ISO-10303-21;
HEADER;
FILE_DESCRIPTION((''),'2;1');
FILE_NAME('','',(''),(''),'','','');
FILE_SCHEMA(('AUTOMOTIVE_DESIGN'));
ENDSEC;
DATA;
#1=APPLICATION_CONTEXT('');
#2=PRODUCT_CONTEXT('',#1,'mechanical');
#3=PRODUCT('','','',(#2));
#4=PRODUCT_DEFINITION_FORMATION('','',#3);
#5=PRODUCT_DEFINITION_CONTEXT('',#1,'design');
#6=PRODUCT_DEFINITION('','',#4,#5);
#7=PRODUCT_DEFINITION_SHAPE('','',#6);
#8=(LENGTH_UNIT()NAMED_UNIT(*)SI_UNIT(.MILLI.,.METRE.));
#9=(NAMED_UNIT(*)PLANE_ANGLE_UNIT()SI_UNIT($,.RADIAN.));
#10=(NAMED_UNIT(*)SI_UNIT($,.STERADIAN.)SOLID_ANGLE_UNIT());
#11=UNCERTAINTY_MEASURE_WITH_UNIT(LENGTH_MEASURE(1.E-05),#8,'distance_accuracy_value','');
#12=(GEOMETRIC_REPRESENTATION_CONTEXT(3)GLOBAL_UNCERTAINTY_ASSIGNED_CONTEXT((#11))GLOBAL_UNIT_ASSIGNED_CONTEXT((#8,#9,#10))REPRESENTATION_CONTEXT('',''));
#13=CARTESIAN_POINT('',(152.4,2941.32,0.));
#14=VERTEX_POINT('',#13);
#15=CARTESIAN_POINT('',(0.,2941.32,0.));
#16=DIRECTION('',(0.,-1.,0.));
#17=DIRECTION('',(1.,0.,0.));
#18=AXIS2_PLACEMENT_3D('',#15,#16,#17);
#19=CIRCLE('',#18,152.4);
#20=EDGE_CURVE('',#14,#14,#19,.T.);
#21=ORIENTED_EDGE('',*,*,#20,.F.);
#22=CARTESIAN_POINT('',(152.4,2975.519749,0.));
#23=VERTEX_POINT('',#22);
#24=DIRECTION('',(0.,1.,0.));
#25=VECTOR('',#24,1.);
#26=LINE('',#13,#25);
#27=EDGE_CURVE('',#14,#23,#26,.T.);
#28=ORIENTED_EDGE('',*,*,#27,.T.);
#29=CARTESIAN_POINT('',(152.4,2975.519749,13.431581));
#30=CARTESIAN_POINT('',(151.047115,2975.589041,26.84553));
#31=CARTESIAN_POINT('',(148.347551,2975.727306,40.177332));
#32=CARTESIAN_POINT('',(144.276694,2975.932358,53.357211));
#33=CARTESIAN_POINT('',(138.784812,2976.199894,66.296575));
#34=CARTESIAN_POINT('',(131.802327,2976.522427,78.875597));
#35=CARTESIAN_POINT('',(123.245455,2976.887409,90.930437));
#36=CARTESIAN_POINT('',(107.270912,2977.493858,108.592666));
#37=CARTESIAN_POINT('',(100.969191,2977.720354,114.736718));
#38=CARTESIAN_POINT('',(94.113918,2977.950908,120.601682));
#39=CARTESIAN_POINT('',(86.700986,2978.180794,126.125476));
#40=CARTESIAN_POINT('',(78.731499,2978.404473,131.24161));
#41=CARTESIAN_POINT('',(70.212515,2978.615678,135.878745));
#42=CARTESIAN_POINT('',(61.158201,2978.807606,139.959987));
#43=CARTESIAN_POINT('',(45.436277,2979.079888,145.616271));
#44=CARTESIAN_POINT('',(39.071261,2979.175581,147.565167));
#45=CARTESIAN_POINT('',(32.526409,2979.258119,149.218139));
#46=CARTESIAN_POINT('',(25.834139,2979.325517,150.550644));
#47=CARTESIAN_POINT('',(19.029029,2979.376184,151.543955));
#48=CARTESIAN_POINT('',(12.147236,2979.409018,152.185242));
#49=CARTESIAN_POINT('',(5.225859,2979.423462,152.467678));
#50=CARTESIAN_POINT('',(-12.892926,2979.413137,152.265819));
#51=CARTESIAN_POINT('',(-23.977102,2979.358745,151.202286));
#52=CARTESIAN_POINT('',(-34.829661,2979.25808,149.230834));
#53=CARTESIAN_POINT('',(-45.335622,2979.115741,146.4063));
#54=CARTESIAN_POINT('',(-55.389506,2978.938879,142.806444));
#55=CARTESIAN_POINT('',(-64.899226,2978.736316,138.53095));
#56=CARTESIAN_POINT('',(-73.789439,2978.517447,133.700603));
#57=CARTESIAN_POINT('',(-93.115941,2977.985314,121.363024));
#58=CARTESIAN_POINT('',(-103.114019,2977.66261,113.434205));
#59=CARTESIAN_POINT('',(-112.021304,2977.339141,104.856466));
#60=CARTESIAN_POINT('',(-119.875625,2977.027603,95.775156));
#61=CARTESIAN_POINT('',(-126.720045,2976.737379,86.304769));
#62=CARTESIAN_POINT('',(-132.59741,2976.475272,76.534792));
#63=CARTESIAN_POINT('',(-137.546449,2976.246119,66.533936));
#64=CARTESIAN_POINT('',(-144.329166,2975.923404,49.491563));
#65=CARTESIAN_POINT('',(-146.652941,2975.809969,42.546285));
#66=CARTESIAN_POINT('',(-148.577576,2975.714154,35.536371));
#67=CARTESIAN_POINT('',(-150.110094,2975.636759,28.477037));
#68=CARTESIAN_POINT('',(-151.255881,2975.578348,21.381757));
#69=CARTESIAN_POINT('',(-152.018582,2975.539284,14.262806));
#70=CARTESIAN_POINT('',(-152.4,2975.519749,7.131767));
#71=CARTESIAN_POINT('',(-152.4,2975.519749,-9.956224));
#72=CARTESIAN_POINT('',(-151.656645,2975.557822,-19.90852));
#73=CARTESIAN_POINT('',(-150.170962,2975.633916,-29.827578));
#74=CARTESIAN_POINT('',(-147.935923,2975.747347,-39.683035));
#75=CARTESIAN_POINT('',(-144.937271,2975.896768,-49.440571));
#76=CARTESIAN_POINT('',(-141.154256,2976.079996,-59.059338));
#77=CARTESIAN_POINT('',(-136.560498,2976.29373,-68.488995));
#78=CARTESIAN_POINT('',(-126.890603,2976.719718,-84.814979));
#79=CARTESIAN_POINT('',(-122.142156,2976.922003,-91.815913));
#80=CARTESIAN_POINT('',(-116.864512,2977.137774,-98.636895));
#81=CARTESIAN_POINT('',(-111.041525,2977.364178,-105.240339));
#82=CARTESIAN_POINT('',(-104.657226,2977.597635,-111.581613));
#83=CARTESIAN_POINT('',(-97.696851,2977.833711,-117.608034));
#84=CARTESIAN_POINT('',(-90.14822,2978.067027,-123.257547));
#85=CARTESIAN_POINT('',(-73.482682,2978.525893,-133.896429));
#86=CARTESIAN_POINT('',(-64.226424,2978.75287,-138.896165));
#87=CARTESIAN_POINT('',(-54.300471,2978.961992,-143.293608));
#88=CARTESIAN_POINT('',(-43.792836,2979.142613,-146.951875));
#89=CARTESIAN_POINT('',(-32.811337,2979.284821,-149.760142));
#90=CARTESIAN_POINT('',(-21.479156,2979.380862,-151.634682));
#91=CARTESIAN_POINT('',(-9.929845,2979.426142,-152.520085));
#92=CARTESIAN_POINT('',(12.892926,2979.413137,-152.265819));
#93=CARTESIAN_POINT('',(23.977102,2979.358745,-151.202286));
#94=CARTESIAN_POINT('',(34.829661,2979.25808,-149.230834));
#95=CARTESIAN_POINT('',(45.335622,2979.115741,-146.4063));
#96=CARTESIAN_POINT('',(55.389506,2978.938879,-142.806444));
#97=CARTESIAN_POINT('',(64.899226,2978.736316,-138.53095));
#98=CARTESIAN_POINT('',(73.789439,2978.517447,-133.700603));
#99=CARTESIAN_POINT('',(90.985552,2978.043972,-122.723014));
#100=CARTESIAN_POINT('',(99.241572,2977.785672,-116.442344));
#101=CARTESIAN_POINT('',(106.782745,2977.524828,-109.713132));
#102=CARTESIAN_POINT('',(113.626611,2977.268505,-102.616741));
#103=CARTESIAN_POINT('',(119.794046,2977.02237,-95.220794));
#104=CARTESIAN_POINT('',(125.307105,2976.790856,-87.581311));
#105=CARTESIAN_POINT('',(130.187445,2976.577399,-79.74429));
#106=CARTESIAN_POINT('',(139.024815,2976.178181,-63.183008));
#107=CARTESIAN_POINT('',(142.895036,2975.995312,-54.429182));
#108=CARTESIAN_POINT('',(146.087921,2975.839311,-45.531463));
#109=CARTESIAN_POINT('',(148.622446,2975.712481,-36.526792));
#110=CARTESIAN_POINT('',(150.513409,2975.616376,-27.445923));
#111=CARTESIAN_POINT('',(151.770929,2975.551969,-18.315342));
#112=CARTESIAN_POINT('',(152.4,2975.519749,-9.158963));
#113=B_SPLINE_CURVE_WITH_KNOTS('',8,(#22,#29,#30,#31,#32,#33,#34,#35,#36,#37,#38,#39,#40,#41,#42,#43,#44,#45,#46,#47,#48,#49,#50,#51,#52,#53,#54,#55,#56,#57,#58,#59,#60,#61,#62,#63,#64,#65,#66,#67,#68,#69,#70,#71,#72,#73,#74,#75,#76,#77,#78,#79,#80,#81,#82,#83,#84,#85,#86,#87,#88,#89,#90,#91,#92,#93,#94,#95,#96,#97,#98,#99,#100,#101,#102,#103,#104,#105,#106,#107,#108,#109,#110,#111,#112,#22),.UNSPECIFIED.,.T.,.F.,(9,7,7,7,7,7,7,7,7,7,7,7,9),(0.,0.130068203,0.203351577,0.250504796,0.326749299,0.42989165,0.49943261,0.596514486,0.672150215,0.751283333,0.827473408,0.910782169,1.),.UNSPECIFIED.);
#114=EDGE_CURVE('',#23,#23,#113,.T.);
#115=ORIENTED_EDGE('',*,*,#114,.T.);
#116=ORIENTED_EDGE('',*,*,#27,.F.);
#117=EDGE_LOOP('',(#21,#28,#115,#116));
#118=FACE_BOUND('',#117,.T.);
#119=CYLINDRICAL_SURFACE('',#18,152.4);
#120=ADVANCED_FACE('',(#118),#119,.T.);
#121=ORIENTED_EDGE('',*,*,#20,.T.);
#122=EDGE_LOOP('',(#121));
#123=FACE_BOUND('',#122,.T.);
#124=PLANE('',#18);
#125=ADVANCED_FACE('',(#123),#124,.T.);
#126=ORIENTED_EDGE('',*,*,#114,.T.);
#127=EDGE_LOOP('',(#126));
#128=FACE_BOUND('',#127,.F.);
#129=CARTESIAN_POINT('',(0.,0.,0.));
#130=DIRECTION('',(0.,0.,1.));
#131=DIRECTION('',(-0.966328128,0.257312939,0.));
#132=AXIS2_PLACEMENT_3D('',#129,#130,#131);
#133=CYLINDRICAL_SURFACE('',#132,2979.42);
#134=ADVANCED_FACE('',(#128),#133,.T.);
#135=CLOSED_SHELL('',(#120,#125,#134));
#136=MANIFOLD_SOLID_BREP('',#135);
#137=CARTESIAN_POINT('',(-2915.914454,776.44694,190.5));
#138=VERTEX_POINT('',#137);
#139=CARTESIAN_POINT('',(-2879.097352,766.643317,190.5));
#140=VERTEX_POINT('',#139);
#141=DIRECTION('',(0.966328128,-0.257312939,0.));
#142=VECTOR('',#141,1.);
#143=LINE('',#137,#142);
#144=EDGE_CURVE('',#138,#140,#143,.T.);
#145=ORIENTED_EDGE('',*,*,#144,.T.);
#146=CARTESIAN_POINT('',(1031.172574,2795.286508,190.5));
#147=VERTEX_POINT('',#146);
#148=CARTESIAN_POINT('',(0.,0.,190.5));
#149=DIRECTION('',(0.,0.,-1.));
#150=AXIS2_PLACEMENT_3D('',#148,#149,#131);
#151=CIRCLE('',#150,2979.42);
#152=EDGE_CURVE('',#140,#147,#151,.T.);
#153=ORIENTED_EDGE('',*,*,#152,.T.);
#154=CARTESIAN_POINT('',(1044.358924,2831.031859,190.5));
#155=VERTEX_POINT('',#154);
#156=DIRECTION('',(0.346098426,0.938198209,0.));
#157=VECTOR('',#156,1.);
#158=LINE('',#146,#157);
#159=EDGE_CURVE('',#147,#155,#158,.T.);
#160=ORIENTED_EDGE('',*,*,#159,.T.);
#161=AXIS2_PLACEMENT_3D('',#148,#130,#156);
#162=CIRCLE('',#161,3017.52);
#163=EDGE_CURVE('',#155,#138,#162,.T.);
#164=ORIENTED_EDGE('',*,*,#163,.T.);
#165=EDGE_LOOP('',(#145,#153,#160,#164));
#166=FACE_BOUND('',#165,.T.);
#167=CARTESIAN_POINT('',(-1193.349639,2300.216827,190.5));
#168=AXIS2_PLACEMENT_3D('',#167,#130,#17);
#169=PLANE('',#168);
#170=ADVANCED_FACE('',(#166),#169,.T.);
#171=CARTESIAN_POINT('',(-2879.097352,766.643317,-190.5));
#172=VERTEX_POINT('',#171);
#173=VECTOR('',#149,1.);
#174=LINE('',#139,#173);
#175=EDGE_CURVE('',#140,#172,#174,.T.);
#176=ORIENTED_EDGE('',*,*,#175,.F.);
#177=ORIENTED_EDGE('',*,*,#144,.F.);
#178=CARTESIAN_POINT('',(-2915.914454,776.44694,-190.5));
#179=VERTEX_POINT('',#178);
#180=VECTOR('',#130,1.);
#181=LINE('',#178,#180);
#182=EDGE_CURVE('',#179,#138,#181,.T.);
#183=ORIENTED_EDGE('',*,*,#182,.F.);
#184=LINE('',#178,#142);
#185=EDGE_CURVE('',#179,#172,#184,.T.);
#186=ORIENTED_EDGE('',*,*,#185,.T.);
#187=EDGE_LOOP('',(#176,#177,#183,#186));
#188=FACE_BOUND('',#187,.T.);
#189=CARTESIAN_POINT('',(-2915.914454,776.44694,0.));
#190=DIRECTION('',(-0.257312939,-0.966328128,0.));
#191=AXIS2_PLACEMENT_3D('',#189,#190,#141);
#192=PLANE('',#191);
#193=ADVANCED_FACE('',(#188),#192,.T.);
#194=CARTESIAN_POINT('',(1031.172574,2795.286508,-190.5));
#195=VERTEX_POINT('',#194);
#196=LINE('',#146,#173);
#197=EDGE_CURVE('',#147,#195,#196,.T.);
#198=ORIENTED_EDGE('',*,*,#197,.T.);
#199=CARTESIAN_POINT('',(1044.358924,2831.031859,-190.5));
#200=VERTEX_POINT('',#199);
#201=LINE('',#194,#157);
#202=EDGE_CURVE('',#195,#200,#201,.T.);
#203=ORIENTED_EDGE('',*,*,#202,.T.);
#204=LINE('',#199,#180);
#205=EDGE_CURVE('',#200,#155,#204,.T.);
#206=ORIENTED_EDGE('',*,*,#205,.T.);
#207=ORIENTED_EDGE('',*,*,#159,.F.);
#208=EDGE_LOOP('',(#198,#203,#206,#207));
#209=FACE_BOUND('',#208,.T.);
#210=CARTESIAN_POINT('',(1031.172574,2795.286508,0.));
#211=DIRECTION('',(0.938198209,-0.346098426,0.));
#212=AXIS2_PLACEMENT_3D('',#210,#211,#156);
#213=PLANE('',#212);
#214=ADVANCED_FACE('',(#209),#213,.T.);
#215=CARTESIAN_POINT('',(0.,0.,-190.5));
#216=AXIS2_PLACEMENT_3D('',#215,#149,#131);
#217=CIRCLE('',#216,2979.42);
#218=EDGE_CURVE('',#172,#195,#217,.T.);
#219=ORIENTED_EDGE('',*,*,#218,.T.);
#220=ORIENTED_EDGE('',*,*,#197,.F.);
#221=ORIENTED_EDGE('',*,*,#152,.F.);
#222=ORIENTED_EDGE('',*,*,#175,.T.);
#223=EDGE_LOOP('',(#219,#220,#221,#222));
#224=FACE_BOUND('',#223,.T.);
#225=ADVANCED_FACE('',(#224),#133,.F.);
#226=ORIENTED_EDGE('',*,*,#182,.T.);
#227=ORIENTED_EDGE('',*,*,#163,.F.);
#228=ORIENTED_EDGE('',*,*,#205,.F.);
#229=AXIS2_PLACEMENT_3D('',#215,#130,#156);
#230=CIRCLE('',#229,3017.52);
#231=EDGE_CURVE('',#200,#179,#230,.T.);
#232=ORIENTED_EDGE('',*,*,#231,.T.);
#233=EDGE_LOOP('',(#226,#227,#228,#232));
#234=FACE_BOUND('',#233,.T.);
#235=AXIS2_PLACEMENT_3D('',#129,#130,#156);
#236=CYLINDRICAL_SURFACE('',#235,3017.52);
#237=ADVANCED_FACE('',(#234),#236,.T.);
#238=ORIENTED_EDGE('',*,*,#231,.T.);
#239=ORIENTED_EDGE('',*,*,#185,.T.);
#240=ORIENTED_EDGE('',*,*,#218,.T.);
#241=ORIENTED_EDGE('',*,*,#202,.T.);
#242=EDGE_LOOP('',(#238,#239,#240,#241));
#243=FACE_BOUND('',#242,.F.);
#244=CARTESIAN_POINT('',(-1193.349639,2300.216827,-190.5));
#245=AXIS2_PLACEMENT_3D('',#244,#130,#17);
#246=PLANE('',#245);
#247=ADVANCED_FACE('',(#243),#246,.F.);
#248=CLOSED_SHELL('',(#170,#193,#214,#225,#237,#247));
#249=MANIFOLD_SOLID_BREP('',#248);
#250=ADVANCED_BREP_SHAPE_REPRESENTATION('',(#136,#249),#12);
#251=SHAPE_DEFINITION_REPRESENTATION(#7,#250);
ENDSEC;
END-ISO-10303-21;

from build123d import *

# Parameters (mm, degrees)
F2_DEPTH = 190.5
F3_R     = 152.4


with BuildPart() as f2:
    # F0 (on Top) → F2 (new body, symmetric)
    with BuildSketch(Plane.XY):
        with BuildLine():
            Line((1031.1725737314, 2795.2865076024), (1044.3589237791, 2831.031859362))
            ThreePointArc((1044.3589237791, 2831.031859362), (-1389.607794744, 2678.5102439951), (-2915.9144535098, 776.446939728))
            Line((-2915.9144535098, 776.446939728), (-2879.097351824, 766.6433167516))
            ThreePointArc((-2879.097351824, 766.6433167516), (-1372.0622417801, 2644.6906702073), (1031.1725737314, 2795.2865076024))
        make_face()
    extrude(amount=F2_DEPTH, both=True)


with BuildPart() as f4:
    # F3 (on offset) → F4 (new body, up to the next surface of F2)
    with BuildSketch(Plane.XZ.offset(-2941.32)):
        Circle(F3_R)
    extrude(until=Until.NEXT, target=f2.part, dir=(0, 1, 0))


solid = Compound([f2.part, f4.part])
